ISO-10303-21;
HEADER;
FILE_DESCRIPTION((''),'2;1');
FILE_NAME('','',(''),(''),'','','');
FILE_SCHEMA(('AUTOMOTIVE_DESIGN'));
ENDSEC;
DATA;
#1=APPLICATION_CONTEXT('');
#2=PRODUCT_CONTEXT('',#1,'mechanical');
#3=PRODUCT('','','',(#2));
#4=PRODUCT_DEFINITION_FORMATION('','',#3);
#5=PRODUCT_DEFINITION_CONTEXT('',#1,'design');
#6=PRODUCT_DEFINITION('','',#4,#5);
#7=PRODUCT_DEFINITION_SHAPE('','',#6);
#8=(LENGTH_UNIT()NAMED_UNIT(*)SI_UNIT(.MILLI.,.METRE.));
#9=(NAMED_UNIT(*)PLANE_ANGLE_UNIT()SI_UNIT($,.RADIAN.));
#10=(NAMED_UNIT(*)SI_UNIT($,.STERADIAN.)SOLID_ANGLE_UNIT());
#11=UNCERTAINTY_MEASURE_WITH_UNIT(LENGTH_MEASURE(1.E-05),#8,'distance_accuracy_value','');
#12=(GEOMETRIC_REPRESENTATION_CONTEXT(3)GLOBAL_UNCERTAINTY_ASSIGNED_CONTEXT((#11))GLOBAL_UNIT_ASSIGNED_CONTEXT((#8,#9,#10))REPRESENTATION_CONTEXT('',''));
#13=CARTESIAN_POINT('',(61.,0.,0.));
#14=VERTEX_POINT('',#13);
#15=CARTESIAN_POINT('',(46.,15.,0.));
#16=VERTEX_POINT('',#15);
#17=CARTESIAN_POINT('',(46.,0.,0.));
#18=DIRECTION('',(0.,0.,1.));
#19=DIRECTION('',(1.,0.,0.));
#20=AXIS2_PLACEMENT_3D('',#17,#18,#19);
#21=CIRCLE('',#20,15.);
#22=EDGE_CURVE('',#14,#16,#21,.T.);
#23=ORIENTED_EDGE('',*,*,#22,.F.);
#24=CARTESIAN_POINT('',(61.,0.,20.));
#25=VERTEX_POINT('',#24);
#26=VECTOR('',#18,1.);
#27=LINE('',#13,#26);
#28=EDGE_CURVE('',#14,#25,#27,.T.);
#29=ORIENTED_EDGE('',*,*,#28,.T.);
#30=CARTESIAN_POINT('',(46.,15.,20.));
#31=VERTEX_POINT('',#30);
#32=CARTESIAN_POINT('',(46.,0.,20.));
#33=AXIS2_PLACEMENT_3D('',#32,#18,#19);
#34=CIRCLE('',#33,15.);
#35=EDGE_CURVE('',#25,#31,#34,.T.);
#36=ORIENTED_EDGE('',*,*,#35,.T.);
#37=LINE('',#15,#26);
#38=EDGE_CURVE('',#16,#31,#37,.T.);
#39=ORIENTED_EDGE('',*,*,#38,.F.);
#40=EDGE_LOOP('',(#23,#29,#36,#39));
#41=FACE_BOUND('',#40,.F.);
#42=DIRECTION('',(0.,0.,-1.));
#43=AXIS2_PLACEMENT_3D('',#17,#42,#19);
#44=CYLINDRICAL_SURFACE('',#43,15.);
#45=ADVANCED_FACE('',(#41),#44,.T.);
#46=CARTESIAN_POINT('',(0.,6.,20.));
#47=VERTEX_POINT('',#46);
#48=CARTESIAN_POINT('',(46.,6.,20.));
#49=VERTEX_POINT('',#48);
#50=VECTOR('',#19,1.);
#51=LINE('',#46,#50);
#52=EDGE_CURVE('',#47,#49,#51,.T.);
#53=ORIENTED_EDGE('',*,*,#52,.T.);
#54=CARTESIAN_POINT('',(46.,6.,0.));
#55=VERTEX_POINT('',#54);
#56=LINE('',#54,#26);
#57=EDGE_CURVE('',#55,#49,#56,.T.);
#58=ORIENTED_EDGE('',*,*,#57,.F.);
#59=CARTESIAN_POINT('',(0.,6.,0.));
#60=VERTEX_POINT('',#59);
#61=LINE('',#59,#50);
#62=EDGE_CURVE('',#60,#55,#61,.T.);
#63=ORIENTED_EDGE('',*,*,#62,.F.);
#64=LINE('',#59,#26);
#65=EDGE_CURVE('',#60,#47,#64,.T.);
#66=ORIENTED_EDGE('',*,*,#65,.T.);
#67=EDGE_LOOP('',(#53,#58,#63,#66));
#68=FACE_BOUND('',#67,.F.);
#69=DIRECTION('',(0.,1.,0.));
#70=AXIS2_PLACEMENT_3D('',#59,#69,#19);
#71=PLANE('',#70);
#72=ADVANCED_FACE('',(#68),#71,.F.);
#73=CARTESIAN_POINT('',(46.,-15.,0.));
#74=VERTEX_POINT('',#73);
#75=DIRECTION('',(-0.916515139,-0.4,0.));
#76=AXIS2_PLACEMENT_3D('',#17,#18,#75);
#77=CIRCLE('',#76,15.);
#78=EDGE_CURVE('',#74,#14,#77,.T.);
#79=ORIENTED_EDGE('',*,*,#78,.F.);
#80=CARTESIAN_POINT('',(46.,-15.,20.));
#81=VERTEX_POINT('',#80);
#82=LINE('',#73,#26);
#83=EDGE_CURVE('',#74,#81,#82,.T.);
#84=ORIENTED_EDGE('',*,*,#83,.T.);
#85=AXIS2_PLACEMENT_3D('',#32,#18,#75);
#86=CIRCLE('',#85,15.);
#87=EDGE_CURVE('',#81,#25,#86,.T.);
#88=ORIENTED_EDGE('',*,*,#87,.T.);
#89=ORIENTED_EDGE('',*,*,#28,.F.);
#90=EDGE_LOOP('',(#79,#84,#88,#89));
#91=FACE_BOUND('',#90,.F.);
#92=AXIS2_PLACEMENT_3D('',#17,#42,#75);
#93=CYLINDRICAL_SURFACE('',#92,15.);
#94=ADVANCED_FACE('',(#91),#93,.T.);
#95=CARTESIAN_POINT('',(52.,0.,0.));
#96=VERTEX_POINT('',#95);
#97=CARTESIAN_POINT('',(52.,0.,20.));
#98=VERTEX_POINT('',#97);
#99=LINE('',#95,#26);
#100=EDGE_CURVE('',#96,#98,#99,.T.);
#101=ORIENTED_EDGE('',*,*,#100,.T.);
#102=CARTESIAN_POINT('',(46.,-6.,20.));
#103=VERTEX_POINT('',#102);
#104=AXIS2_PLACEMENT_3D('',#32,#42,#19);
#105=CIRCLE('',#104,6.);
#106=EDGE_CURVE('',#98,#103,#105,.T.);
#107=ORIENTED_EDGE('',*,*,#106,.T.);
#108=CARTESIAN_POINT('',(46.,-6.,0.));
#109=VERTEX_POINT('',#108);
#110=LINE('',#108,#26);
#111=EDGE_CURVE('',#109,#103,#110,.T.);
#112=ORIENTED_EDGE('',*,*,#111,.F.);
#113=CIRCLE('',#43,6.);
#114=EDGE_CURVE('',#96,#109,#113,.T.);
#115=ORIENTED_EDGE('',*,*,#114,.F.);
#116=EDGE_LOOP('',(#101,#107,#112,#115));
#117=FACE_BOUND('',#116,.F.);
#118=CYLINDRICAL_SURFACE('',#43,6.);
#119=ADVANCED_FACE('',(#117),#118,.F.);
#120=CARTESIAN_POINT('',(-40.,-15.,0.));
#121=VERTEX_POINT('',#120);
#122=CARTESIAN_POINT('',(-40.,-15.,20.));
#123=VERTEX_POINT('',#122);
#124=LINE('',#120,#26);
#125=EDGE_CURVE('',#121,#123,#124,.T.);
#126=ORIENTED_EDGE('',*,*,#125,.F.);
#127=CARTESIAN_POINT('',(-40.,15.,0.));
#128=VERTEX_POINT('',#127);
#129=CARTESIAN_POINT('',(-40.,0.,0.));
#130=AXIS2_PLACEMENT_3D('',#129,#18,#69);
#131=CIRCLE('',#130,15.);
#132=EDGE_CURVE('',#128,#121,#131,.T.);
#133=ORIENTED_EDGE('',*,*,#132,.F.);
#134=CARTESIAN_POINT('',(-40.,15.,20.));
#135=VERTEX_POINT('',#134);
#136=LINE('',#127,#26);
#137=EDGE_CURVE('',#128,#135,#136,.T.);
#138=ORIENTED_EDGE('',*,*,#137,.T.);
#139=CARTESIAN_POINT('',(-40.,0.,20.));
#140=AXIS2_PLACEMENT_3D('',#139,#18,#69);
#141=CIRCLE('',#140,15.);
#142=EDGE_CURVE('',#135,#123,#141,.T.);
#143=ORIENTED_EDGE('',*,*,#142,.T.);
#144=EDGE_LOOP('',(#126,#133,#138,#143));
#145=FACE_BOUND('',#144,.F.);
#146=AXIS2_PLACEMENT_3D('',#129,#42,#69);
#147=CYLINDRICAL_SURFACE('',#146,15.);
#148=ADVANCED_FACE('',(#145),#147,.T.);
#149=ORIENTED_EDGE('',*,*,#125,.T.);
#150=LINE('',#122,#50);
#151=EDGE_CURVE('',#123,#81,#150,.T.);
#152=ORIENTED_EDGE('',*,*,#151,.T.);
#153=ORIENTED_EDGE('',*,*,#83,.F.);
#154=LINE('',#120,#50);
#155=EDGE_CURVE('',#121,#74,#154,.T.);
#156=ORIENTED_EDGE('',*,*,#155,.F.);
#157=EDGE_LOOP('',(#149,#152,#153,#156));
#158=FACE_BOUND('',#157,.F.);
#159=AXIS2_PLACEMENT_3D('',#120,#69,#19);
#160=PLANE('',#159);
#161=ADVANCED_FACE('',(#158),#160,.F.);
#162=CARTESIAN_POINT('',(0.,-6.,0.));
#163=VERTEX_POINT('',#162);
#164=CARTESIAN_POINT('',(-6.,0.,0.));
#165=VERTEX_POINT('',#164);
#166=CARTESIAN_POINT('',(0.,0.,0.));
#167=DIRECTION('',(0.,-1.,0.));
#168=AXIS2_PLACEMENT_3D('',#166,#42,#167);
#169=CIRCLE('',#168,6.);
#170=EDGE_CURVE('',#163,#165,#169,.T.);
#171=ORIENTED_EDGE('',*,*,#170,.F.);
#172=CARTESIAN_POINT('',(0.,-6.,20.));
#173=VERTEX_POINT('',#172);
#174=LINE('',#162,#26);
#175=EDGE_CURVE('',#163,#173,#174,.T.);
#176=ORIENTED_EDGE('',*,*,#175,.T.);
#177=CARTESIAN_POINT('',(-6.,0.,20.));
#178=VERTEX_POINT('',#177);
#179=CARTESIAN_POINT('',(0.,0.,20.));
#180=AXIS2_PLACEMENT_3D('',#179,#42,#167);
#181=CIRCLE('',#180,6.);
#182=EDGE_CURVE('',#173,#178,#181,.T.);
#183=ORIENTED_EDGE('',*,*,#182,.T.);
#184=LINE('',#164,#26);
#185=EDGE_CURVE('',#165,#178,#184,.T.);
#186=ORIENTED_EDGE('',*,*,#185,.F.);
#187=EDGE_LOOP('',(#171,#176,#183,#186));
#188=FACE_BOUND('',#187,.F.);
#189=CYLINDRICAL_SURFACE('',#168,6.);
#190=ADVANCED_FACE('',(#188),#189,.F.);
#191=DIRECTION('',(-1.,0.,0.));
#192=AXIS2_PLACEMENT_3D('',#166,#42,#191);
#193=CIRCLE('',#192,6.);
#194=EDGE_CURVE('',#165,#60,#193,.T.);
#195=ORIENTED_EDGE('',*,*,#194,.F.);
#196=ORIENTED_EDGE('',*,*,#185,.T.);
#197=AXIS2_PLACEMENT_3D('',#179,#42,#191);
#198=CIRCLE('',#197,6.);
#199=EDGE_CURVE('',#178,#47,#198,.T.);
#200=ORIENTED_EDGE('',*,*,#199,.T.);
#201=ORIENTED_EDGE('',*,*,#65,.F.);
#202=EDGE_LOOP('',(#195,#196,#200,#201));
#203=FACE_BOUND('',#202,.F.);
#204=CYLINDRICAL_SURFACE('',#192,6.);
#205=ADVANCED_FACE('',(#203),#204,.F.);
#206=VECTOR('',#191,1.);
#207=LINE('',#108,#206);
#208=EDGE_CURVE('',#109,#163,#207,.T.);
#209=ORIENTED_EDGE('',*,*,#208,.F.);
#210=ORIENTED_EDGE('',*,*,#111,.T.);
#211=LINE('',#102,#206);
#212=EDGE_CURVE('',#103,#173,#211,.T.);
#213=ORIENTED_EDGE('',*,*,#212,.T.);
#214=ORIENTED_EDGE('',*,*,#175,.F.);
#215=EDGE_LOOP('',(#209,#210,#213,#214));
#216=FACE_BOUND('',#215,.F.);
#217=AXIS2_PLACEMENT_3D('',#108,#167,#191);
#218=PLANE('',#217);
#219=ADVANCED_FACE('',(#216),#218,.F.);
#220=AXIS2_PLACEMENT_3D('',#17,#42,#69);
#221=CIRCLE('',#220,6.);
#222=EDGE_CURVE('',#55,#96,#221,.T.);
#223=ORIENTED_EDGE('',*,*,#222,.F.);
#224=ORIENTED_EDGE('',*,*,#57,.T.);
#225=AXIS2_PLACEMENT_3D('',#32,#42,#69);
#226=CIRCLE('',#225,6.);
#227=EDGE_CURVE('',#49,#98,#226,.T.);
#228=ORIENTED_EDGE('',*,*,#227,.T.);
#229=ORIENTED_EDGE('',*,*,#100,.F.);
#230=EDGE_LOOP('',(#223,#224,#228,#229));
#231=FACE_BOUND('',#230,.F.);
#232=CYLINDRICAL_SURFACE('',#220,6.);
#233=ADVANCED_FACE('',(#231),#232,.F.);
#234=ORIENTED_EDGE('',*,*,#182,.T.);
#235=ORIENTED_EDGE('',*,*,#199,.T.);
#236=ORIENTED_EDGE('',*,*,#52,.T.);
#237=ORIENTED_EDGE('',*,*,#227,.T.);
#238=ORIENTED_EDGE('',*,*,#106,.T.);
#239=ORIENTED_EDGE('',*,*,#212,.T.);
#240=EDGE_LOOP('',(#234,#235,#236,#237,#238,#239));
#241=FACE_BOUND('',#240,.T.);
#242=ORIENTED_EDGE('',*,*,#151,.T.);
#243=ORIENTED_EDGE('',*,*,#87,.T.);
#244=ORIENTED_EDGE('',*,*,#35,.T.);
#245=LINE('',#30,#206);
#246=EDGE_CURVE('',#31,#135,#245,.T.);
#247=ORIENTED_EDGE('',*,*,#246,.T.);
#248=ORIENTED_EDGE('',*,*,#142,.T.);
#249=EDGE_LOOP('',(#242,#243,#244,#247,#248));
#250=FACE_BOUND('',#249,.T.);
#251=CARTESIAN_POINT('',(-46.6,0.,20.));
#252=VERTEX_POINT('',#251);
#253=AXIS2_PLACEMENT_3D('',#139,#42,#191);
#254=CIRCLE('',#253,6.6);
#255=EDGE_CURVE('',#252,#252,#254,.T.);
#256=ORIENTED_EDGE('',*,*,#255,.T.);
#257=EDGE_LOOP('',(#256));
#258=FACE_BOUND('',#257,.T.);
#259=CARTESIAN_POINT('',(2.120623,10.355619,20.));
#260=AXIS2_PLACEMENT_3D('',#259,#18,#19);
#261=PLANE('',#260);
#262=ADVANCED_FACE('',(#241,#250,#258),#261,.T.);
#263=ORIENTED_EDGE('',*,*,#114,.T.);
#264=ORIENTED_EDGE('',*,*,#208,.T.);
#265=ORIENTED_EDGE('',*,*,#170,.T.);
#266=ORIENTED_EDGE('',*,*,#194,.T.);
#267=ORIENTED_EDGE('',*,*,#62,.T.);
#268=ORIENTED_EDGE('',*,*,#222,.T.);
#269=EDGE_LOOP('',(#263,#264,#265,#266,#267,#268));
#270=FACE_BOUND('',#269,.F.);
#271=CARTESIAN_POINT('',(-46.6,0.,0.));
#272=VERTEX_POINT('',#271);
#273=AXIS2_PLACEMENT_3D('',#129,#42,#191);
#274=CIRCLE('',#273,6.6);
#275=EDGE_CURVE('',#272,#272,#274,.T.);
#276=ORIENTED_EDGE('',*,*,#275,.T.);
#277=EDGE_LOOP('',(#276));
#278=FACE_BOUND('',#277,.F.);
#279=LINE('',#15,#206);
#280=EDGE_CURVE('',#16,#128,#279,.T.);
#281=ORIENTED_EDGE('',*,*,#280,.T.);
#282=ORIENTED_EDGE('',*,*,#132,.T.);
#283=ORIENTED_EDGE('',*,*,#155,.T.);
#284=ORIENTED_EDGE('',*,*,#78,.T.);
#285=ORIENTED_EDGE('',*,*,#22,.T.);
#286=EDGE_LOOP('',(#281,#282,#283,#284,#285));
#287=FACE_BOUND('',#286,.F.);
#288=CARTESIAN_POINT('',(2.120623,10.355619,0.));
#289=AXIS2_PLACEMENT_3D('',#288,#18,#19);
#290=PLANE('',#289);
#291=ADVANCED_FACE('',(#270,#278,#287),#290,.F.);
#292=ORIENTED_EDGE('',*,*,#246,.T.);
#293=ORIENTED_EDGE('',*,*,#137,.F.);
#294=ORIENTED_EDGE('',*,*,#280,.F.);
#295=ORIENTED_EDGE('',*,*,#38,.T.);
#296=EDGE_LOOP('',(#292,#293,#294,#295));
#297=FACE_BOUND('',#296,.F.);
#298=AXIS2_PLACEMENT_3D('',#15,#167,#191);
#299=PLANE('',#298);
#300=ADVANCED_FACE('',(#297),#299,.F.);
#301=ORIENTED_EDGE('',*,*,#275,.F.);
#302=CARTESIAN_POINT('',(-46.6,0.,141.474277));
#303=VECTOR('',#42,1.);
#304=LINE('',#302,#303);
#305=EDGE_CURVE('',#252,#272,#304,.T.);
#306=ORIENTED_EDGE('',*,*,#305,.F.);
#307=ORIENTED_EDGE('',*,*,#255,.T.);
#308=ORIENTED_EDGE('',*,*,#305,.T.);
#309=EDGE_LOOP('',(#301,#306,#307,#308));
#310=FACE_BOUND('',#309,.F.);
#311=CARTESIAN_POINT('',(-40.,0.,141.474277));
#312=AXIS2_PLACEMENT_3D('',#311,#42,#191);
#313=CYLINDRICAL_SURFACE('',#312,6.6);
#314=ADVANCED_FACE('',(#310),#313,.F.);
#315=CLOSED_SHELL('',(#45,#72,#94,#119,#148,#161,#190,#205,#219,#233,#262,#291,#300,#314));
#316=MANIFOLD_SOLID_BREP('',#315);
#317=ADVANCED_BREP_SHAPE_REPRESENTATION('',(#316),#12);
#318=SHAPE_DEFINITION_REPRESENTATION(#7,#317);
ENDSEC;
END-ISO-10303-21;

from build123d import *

# Parameters (mm, degrees)
F1_DEPTH = 20
F3_D     = 13.2


with BuildPart() as f1:
    # F0 (on Top) → F1 (new body)
    with BuildSketch(Plane.XY):
        with BuildLine():
            ThreePointArc((-6, 0), (-4.2426406871, 4.2426406871), (0, 6))
            Line((0, 6), (32.2522729151, 6))
            ThreePointArc((32.2522729151, 6), (37.7841616374, 12.549900398), (46, 15))
            Line((46, 15), (-40, 15))
            ThreePointArc((-40, 15), (-29.3933982822, 10.6066017178), (-25, 0))
            Line((-25, 0), (-6, 0))
        make_face()
        with BuildLine():
            Line((32.2522729151, -6), (0, -6))
            ThreePointArc((0, -6), (-4.2426406871, -4.2426406871), (-6, 0))
            Line((-6, 0), (-25, 0))
            ThreePointArc((-25, 0), (-29.3933982822, -10.6066017178), (-40, -15))
            Line((-40, -15), (46, -15))
            ThreePointArc((46, -15), (37.7841616374, -12.549900398), (32.2522729151, -6))
        make_face()
        with BuildLine():
            ThreePointArc((46, 15), (37.7841616374, 12.549900398), (32.2522729151, 6))
            Line((32.2522729151, 6), (46, 6))
            ThreePointArc((46, 6), (50.2426406871, 4.2426406871), (52, 0))
            ThreePointArc((52, 0), (50.2426406871, -4.2426406871), (46, -6))
            Line((46, -6), (32.2522729151, -6))
            ThreePointArc((32.2522729151, -6), (37.7841616374, -12.549900398), (46, -15))
            ThreePointArc((46, -15), (56.6066017178, -10.6066017178), (61, 0))
            ThreePointArc((61, 0), (56.6066017178, 10.6066017178), (46, 15))
        make_face()
        with BuildLine():
            ThreePointArc((-40, -15), (-29.3933982822, -10.6066017178), (-25, 0))
            ThreePointArc((-25, 0), (-29.3933982822, 10.6066017178), (-40, 15))
            ThreePointArc((-40, 15), (-55, 0), (-40, -15))
        make_face()
    extrude(amount=F1_DEPTH)

    # F3 (through all)
    with Locations(Plane.XY.offset(20)):
        with Locations((-40, 0)):
            Hole(F3_D / 2)


solid = f1.part
